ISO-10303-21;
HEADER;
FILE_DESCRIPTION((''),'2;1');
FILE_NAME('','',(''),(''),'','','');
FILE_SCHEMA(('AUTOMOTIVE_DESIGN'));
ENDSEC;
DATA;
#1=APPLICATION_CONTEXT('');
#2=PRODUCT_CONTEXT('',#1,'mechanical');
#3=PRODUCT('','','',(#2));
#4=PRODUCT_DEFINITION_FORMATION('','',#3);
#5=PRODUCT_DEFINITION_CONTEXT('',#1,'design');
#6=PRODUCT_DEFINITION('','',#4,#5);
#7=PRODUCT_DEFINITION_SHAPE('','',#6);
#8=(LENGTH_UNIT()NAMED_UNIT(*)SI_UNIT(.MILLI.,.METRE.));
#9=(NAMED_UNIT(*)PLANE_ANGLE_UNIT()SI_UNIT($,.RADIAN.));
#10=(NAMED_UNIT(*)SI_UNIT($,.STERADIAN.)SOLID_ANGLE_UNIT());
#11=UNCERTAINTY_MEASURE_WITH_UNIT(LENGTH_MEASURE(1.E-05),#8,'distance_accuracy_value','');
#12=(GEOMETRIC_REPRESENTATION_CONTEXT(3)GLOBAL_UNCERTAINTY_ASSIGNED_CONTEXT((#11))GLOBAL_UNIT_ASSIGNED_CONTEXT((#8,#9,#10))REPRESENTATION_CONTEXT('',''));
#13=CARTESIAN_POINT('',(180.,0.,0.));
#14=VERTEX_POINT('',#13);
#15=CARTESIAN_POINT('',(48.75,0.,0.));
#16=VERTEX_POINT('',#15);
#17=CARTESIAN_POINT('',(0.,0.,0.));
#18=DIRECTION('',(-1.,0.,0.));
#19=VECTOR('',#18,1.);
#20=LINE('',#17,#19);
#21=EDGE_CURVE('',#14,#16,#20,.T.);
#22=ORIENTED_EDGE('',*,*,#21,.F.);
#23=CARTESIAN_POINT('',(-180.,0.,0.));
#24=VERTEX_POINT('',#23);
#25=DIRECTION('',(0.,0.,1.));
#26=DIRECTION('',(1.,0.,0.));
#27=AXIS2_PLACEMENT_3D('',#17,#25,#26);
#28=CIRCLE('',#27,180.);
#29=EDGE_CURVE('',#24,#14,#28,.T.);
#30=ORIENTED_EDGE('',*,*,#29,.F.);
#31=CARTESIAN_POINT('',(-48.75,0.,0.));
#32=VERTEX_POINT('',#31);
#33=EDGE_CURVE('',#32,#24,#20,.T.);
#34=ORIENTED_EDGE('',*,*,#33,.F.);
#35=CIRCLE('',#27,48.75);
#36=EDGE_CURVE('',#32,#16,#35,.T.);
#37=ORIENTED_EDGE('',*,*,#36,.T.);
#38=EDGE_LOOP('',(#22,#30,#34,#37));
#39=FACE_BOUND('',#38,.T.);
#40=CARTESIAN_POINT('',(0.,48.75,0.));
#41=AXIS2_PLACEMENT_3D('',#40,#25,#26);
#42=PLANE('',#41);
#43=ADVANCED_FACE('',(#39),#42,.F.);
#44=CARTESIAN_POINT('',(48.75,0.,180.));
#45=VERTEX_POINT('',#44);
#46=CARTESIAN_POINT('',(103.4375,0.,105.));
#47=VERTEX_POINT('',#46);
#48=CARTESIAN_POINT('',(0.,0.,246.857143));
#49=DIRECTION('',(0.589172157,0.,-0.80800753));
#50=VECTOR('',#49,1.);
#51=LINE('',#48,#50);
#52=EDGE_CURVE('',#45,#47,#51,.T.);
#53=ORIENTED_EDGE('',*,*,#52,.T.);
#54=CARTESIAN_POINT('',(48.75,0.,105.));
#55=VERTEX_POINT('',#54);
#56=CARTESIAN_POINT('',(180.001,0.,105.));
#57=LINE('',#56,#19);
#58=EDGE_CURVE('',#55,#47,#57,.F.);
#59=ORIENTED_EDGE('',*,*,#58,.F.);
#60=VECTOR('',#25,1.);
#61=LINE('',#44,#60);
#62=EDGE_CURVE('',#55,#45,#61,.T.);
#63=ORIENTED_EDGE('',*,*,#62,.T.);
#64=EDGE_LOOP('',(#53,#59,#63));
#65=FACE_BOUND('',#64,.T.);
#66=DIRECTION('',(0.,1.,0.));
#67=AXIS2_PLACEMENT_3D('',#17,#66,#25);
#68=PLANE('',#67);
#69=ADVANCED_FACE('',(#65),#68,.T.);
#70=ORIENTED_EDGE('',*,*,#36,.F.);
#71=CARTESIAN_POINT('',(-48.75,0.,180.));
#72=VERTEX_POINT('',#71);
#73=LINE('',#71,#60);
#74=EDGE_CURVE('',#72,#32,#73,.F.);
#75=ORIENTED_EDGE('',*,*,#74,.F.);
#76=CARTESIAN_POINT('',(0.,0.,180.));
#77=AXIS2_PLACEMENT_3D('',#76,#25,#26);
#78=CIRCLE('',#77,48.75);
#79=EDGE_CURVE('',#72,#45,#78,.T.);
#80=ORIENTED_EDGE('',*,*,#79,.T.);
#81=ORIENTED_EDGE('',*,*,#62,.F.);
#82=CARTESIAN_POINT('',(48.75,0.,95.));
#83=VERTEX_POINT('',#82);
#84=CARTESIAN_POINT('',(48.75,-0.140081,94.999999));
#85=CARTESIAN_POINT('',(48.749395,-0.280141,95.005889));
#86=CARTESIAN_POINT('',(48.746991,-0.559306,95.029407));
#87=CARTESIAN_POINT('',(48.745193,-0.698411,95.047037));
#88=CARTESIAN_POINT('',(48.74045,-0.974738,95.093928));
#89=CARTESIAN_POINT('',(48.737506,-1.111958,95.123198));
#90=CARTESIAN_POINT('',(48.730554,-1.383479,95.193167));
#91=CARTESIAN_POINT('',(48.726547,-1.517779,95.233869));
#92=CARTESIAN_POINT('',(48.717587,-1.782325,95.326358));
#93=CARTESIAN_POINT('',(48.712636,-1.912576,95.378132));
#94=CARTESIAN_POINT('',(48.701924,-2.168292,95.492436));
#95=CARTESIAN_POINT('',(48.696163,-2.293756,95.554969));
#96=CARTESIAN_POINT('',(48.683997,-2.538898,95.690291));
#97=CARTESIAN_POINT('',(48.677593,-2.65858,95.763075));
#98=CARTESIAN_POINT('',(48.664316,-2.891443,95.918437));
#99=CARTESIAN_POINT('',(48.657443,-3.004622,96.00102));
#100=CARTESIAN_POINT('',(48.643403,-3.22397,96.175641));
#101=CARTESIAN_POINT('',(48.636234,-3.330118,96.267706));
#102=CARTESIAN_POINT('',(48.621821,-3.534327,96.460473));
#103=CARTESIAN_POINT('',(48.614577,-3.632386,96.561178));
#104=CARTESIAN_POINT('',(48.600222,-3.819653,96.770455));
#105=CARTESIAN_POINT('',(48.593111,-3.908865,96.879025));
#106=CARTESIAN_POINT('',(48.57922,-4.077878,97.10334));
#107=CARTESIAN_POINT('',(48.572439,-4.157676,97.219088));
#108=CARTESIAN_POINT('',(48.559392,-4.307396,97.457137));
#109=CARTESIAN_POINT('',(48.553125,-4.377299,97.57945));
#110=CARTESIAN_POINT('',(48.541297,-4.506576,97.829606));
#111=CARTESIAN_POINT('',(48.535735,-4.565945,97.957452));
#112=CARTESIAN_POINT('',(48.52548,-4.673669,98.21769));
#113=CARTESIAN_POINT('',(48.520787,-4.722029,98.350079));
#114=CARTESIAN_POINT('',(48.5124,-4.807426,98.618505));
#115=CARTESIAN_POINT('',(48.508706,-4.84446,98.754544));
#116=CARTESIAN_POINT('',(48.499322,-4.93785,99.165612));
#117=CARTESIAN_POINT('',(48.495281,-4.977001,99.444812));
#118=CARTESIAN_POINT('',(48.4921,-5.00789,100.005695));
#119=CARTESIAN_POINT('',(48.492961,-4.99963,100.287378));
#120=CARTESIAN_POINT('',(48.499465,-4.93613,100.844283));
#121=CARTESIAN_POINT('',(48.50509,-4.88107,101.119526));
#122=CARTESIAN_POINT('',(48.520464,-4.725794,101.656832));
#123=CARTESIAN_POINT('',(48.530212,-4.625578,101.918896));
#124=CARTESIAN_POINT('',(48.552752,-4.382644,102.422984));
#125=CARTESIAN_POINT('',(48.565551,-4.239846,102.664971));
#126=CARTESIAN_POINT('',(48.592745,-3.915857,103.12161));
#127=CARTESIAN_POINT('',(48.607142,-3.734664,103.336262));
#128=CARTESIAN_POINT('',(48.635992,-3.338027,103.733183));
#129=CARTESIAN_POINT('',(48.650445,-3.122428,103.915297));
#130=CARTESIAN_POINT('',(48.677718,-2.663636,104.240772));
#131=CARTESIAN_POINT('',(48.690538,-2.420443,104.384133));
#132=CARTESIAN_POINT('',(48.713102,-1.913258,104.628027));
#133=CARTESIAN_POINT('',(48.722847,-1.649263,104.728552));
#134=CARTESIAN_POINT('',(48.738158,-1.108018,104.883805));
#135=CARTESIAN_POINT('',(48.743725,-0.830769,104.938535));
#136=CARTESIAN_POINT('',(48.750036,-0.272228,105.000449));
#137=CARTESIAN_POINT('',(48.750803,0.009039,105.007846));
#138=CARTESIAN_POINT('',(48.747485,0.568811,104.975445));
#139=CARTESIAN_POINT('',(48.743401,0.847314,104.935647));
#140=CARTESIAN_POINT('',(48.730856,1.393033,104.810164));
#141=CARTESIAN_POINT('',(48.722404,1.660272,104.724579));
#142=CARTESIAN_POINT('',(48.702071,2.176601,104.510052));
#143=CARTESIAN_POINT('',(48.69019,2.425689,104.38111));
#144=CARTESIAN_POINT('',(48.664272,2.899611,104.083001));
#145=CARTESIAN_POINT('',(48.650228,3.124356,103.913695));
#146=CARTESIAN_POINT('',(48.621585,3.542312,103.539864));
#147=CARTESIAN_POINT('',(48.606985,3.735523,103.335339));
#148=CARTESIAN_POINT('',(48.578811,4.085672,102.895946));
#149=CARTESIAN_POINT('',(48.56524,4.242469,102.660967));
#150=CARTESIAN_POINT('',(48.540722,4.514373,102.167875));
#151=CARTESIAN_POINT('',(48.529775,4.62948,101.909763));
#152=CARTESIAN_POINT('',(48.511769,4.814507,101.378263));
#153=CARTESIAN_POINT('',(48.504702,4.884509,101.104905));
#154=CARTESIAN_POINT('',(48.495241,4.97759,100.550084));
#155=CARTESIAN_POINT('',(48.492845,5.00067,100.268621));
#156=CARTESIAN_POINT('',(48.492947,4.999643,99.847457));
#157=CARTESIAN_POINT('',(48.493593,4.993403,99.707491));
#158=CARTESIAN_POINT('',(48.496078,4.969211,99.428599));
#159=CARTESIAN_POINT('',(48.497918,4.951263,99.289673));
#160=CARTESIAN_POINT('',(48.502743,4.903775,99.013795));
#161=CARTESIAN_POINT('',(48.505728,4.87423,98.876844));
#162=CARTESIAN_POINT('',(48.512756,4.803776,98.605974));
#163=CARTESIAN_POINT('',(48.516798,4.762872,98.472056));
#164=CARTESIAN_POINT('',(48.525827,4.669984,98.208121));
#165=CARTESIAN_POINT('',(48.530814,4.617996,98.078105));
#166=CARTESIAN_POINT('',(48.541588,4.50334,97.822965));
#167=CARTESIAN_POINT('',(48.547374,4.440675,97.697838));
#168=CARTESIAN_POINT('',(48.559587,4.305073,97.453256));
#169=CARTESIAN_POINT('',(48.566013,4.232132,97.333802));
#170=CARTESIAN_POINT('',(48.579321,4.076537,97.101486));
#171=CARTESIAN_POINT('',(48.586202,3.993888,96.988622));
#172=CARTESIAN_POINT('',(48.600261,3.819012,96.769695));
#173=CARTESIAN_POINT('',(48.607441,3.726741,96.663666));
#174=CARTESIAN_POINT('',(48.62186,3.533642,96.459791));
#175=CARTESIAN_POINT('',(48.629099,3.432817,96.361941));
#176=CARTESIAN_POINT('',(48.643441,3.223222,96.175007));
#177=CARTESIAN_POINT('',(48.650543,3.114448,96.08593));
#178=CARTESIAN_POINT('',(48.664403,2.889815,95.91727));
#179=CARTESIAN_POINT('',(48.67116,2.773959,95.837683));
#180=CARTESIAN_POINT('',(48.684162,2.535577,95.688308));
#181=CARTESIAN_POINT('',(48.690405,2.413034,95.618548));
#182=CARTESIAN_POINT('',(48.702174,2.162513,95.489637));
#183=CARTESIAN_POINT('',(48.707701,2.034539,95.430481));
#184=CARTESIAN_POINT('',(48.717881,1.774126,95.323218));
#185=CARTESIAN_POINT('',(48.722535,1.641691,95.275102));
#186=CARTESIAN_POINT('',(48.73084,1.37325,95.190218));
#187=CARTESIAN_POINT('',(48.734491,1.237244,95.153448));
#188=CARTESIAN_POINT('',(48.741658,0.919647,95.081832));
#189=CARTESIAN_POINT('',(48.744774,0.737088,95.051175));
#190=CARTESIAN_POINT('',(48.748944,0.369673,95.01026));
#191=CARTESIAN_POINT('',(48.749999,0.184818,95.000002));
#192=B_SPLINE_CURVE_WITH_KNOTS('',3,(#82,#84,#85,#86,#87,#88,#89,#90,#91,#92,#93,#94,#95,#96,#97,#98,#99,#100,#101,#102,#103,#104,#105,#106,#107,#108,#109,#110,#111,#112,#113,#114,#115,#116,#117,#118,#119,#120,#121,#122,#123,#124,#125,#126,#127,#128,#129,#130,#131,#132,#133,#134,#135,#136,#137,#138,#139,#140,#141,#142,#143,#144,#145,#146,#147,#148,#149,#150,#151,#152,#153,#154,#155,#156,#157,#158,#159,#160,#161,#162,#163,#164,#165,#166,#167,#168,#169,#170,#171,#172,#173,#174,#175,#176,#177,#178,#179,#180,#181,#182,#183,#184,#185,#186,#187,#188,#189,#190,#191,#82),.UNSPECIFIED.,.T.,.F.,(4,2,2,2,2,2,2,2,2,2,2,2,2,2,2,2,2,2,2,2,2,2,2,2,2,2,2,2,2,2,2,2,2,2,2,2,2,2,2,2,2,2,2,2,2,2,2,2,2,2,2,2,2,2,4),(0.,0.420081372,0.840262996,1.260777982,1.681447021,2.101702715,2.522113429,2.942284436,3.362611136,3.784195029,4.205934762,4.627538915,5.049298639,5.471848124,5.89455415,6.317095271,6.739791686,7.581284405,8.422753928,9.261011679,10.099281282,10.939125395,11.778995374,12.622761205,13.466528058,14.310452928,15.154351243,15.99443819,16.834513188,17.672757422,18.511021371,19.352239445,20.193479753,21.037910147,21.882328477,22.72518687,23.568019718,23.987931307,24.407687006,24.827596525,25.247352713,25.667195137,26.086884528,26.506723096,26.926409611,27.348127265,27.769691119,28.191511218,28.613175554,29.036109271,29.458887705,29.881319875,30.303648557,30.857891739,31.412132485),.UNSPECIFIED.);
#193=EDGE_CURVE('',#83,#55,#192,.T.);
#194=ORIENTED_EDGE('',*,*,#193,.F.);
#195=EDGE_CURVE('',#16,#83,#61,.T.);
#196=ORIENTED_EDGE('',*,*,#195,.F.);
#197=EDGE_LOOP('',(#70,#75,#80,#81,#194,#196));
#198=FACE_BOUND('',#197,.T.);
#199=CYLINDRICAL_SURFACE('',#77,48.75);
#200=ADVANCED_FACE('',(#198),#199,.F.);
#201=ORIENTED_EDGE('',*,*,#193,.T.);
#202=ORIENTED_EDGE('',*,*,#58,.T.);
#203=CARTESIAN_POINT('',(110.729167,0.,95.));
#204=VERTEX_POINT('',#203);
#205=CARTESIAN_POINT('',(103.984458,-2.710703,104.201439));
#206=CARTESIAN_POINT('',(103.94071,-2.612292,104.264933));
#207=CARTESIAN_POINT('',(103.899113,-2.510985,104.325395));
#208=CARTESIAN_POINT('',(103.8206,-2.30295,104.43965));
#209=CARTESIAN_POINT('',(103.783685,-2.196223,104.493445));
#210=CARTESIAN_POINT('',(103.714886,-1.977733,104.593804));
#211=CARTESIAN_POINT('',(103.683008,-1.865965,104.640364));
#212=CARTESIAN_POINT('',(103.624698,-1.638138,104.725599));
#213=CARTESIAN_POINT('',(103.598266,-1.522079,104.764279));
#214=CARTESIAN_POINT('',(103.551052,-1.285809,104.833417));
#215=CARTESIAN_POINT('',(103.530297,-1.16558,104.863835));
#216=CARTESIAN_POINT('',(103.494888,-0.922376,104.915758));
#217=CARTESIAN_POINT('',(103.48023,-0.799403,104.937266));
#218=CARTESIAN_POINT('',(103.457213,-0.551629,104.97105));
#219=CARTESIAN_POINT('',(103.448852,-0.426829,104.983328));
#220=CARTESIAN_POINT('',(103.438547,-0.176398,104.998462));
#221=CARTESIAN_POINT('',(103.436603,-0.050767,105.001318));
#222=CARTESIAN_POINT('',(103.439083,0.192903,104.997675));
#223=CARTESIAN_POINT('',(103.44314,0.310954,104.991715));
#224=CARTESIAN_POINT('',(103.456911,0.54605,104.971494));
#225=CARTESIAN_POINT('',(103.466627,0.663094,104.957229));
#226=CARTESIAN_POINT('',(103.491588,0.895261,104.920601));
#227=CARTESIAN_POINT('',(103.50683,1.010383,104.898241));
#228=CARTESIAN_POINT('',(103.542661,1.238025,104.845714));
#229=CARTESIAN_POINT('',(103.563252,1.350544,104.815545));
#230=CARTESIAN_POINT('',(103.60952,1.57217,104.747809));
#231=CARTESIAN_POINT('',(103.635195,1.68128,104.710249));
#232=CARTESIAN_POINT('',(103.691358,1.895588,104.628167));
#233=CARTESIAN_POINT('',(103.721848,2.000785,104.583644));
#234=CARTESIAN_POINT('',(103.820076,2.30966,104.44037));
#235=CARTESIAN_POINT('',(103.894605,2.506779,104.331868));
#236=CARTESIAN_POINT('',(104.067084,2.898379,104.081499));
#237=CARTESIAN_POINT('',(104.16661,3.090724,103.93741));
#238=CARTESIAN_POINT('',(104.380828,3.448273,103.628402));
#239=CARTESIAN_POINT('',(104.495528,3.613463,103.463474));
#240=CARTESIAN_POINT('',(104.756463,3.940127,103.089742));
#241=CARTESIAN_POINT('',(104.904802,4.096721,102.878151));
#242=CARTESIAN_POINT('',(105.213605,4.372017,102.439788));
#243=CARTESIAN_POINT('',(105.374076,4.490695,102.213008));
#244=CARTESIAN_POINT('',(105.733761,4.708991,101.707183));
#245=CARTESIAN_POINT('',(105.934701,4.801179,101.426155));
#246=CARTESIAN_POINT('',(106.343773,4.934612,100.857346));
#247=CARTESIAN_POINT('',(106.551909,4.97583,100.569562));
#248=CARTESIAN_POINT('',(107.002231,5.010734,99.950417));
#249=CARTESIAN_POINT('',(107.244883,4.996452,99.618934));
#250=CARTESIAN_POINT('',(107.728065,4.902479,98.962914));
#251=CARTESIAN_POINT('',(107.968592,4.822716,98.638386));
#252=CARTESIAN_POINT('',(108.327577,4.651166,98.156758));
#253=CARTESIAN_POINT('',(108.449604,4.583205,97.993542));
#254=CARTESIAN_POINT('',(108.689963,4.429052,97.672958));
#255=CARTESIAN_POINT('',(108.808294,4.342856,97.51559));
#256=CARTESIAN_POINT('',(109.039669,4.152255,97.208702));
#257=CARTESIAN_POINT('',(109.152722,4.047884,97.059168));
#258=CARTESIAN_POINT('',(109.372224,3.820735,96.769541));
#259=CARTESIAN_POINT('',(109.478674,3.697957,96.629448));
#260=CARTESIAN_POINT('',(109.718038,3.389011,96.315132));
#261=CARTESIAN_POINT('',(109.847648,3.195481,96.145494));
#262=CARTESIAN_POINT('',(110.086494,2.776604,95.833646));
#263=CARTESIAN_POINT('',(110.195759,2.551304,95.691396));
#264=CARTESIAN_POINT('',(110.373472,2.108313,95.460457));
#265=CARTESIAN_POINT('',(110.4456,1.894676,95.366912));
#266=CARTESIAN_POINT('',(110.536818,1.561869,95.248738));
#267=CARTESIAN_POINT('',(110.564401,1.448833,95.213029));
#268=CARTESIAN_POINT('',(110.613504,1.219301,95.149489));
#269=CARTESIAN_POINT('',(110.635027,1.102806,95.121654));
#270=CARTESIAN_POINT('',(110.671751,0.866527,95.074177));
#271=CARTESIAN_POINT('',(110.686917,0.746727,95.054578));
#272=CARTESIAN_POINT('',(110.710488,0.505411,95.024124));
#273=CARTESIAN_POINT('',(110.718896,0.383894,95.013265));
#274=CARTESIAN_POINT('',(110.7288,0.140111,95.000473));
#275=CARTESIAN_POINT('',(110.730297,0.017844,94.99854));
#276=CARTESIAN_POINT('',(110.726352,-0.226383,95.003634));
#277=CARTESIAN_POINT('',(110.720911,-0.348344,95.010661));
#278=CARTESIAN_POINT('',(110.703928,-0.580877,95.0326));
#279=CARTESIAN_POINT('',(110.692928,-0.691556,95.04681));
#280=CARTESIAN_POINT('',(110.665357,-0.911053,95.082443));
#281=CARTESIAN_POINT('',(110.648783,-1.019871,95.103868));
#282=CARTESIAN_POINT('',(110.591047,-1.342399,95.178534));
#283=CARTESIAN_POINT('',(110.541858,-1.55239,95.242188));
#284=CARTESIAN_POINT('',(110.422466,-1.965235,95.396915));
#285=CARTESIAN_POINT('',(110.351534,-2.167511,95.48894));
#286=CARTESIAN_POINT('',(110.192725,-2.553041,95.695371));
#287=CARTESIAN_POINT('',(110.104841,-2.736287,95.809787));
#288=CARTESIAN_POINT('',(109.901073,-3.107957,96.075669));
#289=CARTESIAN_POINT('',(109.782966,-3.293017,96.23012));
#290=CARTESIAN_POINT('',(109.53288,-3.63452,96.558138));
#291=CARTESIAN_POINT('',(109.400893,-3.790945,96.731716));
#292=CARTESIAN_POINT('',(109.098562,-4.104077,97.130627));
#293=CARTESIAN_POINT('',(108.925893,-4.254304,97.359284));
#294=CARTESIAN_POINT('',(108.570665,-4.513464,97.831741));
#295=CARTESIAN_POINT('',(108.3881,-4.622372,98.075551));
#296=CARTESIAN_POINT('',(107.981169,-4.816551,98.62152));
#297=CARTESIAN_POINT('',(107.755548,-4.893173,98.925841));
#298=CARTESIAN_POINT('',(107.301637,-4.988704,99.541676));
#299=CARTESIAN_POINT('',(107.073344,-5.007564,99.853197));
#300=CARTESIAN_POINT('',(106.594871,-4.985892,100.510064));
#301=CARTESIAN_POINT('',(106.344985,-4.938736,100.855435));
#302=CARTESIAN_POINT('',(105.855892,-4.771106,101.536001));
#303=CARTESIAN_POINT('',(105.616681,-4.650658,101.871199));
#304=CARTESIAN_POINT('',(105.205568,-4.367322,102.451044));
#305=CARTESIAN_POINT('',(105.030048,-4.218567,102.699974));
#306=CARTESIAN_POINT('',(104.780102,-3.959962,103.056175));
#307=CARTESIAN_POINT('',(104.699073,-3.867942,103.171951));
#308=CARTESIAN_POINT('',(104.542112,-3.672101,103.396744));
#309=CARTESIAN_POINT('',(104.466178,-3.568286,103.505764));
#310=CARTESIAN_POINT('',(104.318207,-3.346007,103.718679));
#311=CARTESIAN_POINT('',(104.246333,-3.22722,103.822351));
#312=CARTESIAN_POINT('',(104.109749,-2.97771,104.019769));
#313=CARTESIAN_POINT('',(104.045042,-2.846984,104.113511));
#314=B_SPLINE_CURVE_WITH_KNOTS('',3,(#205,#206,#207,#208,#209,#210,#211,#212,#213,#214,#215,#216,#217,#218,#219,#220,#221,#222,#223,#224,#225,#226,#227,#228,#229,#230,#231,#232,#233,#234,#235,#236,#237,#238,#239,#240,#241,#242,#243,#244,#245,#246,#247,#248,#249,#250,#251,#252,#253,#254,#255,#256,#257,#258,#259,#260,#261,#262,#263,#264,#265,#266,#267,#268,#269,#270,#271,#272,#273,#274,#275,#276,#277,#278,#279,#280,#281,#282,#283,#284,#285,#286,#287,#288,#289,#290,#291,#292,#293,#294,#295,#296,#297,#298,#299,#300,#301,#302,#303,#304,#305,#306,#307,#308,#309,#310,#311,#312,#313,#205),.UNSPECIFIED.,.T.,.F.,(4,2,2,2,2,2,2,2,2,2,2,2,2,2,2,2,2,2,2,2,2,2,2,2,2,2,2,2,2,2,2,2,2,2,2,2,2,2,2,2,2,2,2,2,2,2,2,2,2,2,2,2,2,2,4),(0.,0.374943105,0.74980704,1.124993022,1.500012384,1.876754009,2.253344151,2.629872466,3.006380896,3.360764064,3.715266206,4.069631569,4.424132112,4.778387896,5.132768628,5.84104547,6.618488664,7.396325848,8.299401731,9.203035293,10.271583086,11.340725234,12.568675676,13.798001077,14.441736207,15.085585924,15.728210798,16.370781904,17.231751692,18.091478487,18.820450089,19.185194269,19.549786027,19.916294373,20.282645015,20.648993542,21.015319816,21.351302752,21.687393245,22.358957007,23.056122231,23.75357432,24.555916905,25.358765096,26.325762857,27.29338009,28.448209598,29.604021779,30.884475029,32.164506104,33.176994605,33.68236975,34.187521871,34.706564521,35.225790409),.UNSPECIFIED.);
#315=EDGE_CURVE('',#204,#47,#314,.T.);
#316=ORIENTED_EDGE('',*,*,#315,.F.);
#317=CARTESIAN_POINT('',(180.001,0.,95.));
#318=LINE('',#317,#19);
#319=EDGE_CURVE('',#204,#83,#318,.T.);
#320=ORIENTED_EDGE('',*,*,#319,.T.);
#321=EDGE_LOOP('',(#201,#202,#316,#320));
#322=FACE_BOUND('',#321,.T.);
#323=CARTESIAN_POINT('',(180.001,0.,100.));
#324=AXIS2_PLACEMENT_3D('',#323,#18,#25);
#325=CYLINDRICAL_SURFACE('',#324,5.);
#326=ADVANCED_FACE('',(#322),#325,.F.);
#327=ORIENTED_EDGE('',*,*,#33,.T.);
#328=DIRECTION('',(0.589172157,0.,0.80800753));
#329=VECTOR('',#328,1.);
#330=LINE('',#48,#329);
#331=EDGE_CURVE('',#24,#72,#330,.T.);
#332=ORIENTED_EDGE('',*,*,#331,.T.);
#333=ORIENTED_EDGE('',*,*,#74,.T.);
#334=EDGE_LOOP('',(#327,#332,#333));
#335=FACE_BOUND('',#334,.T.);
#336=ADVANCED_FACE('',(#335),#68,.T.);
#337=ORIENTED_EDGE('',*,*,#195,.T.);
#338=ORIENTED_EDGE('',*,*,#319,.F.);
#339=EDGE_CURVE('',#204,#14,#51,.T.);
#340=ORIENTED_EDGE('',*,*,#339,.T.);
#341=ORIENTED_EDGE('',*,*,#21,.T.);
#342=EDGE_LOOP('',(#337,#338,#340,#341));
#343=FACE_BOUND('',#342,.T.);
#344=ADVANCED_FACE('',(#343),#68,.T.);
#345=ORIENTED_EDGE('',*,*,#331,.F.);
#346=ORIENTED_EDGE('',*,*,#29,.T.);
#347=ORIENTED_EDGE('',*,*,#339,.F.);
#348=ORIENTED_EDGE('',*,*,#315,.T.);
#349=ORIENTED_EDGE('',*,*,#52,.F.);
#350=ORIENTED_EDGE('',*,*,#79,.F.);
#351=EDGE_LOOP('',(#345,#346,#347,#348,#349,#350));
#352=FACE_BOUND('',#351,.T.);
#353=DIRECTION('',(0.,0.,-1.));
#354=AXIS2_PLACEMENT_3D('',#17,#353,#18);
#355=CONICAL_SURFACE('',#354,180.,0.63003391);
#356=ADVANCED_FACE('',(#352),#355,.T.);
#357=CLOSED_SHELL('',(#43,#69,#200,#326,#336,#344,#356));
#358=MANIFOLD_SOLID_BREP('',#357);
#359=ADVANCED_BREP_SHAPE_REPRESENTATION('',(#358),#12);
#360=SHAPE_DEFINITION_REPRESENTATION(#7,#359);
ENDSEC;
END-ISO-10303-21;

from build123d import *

# Parameters (mm, degrees)
ENL_V_MAT_EXTRU_1_REACH = 313.769
ESQUISSE7_R             = 5


with BuildPart() as part:
    # Esquisse4 → Révolution1 (revolve)
    with BuildSketch(Plane(origin=(0, 0, 0), x_dir=(0, 0, -1), z_dir=(1, 0, 0)), mode=Mode.PRIVATE) as r_volution1_sk:
        Polygon((-180, 48.75), (0, 180), (0, 48.75), align=None)
    revolve(r_volution1_sk.sketch.rotate(Axis((0, 0, 180), (0, 0, -1)), 90), axis=Axis((0, 0, 180), (0, 0, -1)))

    # Enlèv. mat.-Extru.1: up to this cone (the profile starts inside it)
    enl_v_mat_extru_1_end = Plane(origin=(0, 0, 100), z_dir=(0, 0, -1)).offset(-146.857141857) * Cone(1e-06, 414.319409722, 568.20947519, align=(Align.CENTER, Align.CENTER, Align.MIN), mode=Mode.PRIVATE)
    # Esquisse7 → Enlèv. mat.-Extru.1 (cut, up to the surface)
    with BuildSketch(Plane(origin=(0, 0, 0), x_dir=(0, 0, -1), z_dir=(1, 0, 0)), mode=Mode.PRIVATE) as enl_v_mat_extru_1_sk1:
        with Locations(Location((-100, 0, 0), (0, 0, 180))):
            Circle(ESQUISSE7_R)
    enl_v_mat_extru_1_tool1 = extrude(enl_v_mat_extru_1_sk1.sketch, amount=ENL_V_MAT_EXTRU_1_REACH, mode=Mode.PRIVATE) & enl_v_mat_extru_1_end
    add(enl_v_mat_extru_1_tool1.solids().sort_by_distance((0, 0, 100))[0], mode=Mode.SUBTRACT)

    # Enlèv. mat.-Surface1
    split(bisect_by=Plane(origin=(0, 0, 0), x_dir=(1, 0, 0), z_dir=(0, 1, 0)), keep=Keep.BOTTOM)


solid = part.part
